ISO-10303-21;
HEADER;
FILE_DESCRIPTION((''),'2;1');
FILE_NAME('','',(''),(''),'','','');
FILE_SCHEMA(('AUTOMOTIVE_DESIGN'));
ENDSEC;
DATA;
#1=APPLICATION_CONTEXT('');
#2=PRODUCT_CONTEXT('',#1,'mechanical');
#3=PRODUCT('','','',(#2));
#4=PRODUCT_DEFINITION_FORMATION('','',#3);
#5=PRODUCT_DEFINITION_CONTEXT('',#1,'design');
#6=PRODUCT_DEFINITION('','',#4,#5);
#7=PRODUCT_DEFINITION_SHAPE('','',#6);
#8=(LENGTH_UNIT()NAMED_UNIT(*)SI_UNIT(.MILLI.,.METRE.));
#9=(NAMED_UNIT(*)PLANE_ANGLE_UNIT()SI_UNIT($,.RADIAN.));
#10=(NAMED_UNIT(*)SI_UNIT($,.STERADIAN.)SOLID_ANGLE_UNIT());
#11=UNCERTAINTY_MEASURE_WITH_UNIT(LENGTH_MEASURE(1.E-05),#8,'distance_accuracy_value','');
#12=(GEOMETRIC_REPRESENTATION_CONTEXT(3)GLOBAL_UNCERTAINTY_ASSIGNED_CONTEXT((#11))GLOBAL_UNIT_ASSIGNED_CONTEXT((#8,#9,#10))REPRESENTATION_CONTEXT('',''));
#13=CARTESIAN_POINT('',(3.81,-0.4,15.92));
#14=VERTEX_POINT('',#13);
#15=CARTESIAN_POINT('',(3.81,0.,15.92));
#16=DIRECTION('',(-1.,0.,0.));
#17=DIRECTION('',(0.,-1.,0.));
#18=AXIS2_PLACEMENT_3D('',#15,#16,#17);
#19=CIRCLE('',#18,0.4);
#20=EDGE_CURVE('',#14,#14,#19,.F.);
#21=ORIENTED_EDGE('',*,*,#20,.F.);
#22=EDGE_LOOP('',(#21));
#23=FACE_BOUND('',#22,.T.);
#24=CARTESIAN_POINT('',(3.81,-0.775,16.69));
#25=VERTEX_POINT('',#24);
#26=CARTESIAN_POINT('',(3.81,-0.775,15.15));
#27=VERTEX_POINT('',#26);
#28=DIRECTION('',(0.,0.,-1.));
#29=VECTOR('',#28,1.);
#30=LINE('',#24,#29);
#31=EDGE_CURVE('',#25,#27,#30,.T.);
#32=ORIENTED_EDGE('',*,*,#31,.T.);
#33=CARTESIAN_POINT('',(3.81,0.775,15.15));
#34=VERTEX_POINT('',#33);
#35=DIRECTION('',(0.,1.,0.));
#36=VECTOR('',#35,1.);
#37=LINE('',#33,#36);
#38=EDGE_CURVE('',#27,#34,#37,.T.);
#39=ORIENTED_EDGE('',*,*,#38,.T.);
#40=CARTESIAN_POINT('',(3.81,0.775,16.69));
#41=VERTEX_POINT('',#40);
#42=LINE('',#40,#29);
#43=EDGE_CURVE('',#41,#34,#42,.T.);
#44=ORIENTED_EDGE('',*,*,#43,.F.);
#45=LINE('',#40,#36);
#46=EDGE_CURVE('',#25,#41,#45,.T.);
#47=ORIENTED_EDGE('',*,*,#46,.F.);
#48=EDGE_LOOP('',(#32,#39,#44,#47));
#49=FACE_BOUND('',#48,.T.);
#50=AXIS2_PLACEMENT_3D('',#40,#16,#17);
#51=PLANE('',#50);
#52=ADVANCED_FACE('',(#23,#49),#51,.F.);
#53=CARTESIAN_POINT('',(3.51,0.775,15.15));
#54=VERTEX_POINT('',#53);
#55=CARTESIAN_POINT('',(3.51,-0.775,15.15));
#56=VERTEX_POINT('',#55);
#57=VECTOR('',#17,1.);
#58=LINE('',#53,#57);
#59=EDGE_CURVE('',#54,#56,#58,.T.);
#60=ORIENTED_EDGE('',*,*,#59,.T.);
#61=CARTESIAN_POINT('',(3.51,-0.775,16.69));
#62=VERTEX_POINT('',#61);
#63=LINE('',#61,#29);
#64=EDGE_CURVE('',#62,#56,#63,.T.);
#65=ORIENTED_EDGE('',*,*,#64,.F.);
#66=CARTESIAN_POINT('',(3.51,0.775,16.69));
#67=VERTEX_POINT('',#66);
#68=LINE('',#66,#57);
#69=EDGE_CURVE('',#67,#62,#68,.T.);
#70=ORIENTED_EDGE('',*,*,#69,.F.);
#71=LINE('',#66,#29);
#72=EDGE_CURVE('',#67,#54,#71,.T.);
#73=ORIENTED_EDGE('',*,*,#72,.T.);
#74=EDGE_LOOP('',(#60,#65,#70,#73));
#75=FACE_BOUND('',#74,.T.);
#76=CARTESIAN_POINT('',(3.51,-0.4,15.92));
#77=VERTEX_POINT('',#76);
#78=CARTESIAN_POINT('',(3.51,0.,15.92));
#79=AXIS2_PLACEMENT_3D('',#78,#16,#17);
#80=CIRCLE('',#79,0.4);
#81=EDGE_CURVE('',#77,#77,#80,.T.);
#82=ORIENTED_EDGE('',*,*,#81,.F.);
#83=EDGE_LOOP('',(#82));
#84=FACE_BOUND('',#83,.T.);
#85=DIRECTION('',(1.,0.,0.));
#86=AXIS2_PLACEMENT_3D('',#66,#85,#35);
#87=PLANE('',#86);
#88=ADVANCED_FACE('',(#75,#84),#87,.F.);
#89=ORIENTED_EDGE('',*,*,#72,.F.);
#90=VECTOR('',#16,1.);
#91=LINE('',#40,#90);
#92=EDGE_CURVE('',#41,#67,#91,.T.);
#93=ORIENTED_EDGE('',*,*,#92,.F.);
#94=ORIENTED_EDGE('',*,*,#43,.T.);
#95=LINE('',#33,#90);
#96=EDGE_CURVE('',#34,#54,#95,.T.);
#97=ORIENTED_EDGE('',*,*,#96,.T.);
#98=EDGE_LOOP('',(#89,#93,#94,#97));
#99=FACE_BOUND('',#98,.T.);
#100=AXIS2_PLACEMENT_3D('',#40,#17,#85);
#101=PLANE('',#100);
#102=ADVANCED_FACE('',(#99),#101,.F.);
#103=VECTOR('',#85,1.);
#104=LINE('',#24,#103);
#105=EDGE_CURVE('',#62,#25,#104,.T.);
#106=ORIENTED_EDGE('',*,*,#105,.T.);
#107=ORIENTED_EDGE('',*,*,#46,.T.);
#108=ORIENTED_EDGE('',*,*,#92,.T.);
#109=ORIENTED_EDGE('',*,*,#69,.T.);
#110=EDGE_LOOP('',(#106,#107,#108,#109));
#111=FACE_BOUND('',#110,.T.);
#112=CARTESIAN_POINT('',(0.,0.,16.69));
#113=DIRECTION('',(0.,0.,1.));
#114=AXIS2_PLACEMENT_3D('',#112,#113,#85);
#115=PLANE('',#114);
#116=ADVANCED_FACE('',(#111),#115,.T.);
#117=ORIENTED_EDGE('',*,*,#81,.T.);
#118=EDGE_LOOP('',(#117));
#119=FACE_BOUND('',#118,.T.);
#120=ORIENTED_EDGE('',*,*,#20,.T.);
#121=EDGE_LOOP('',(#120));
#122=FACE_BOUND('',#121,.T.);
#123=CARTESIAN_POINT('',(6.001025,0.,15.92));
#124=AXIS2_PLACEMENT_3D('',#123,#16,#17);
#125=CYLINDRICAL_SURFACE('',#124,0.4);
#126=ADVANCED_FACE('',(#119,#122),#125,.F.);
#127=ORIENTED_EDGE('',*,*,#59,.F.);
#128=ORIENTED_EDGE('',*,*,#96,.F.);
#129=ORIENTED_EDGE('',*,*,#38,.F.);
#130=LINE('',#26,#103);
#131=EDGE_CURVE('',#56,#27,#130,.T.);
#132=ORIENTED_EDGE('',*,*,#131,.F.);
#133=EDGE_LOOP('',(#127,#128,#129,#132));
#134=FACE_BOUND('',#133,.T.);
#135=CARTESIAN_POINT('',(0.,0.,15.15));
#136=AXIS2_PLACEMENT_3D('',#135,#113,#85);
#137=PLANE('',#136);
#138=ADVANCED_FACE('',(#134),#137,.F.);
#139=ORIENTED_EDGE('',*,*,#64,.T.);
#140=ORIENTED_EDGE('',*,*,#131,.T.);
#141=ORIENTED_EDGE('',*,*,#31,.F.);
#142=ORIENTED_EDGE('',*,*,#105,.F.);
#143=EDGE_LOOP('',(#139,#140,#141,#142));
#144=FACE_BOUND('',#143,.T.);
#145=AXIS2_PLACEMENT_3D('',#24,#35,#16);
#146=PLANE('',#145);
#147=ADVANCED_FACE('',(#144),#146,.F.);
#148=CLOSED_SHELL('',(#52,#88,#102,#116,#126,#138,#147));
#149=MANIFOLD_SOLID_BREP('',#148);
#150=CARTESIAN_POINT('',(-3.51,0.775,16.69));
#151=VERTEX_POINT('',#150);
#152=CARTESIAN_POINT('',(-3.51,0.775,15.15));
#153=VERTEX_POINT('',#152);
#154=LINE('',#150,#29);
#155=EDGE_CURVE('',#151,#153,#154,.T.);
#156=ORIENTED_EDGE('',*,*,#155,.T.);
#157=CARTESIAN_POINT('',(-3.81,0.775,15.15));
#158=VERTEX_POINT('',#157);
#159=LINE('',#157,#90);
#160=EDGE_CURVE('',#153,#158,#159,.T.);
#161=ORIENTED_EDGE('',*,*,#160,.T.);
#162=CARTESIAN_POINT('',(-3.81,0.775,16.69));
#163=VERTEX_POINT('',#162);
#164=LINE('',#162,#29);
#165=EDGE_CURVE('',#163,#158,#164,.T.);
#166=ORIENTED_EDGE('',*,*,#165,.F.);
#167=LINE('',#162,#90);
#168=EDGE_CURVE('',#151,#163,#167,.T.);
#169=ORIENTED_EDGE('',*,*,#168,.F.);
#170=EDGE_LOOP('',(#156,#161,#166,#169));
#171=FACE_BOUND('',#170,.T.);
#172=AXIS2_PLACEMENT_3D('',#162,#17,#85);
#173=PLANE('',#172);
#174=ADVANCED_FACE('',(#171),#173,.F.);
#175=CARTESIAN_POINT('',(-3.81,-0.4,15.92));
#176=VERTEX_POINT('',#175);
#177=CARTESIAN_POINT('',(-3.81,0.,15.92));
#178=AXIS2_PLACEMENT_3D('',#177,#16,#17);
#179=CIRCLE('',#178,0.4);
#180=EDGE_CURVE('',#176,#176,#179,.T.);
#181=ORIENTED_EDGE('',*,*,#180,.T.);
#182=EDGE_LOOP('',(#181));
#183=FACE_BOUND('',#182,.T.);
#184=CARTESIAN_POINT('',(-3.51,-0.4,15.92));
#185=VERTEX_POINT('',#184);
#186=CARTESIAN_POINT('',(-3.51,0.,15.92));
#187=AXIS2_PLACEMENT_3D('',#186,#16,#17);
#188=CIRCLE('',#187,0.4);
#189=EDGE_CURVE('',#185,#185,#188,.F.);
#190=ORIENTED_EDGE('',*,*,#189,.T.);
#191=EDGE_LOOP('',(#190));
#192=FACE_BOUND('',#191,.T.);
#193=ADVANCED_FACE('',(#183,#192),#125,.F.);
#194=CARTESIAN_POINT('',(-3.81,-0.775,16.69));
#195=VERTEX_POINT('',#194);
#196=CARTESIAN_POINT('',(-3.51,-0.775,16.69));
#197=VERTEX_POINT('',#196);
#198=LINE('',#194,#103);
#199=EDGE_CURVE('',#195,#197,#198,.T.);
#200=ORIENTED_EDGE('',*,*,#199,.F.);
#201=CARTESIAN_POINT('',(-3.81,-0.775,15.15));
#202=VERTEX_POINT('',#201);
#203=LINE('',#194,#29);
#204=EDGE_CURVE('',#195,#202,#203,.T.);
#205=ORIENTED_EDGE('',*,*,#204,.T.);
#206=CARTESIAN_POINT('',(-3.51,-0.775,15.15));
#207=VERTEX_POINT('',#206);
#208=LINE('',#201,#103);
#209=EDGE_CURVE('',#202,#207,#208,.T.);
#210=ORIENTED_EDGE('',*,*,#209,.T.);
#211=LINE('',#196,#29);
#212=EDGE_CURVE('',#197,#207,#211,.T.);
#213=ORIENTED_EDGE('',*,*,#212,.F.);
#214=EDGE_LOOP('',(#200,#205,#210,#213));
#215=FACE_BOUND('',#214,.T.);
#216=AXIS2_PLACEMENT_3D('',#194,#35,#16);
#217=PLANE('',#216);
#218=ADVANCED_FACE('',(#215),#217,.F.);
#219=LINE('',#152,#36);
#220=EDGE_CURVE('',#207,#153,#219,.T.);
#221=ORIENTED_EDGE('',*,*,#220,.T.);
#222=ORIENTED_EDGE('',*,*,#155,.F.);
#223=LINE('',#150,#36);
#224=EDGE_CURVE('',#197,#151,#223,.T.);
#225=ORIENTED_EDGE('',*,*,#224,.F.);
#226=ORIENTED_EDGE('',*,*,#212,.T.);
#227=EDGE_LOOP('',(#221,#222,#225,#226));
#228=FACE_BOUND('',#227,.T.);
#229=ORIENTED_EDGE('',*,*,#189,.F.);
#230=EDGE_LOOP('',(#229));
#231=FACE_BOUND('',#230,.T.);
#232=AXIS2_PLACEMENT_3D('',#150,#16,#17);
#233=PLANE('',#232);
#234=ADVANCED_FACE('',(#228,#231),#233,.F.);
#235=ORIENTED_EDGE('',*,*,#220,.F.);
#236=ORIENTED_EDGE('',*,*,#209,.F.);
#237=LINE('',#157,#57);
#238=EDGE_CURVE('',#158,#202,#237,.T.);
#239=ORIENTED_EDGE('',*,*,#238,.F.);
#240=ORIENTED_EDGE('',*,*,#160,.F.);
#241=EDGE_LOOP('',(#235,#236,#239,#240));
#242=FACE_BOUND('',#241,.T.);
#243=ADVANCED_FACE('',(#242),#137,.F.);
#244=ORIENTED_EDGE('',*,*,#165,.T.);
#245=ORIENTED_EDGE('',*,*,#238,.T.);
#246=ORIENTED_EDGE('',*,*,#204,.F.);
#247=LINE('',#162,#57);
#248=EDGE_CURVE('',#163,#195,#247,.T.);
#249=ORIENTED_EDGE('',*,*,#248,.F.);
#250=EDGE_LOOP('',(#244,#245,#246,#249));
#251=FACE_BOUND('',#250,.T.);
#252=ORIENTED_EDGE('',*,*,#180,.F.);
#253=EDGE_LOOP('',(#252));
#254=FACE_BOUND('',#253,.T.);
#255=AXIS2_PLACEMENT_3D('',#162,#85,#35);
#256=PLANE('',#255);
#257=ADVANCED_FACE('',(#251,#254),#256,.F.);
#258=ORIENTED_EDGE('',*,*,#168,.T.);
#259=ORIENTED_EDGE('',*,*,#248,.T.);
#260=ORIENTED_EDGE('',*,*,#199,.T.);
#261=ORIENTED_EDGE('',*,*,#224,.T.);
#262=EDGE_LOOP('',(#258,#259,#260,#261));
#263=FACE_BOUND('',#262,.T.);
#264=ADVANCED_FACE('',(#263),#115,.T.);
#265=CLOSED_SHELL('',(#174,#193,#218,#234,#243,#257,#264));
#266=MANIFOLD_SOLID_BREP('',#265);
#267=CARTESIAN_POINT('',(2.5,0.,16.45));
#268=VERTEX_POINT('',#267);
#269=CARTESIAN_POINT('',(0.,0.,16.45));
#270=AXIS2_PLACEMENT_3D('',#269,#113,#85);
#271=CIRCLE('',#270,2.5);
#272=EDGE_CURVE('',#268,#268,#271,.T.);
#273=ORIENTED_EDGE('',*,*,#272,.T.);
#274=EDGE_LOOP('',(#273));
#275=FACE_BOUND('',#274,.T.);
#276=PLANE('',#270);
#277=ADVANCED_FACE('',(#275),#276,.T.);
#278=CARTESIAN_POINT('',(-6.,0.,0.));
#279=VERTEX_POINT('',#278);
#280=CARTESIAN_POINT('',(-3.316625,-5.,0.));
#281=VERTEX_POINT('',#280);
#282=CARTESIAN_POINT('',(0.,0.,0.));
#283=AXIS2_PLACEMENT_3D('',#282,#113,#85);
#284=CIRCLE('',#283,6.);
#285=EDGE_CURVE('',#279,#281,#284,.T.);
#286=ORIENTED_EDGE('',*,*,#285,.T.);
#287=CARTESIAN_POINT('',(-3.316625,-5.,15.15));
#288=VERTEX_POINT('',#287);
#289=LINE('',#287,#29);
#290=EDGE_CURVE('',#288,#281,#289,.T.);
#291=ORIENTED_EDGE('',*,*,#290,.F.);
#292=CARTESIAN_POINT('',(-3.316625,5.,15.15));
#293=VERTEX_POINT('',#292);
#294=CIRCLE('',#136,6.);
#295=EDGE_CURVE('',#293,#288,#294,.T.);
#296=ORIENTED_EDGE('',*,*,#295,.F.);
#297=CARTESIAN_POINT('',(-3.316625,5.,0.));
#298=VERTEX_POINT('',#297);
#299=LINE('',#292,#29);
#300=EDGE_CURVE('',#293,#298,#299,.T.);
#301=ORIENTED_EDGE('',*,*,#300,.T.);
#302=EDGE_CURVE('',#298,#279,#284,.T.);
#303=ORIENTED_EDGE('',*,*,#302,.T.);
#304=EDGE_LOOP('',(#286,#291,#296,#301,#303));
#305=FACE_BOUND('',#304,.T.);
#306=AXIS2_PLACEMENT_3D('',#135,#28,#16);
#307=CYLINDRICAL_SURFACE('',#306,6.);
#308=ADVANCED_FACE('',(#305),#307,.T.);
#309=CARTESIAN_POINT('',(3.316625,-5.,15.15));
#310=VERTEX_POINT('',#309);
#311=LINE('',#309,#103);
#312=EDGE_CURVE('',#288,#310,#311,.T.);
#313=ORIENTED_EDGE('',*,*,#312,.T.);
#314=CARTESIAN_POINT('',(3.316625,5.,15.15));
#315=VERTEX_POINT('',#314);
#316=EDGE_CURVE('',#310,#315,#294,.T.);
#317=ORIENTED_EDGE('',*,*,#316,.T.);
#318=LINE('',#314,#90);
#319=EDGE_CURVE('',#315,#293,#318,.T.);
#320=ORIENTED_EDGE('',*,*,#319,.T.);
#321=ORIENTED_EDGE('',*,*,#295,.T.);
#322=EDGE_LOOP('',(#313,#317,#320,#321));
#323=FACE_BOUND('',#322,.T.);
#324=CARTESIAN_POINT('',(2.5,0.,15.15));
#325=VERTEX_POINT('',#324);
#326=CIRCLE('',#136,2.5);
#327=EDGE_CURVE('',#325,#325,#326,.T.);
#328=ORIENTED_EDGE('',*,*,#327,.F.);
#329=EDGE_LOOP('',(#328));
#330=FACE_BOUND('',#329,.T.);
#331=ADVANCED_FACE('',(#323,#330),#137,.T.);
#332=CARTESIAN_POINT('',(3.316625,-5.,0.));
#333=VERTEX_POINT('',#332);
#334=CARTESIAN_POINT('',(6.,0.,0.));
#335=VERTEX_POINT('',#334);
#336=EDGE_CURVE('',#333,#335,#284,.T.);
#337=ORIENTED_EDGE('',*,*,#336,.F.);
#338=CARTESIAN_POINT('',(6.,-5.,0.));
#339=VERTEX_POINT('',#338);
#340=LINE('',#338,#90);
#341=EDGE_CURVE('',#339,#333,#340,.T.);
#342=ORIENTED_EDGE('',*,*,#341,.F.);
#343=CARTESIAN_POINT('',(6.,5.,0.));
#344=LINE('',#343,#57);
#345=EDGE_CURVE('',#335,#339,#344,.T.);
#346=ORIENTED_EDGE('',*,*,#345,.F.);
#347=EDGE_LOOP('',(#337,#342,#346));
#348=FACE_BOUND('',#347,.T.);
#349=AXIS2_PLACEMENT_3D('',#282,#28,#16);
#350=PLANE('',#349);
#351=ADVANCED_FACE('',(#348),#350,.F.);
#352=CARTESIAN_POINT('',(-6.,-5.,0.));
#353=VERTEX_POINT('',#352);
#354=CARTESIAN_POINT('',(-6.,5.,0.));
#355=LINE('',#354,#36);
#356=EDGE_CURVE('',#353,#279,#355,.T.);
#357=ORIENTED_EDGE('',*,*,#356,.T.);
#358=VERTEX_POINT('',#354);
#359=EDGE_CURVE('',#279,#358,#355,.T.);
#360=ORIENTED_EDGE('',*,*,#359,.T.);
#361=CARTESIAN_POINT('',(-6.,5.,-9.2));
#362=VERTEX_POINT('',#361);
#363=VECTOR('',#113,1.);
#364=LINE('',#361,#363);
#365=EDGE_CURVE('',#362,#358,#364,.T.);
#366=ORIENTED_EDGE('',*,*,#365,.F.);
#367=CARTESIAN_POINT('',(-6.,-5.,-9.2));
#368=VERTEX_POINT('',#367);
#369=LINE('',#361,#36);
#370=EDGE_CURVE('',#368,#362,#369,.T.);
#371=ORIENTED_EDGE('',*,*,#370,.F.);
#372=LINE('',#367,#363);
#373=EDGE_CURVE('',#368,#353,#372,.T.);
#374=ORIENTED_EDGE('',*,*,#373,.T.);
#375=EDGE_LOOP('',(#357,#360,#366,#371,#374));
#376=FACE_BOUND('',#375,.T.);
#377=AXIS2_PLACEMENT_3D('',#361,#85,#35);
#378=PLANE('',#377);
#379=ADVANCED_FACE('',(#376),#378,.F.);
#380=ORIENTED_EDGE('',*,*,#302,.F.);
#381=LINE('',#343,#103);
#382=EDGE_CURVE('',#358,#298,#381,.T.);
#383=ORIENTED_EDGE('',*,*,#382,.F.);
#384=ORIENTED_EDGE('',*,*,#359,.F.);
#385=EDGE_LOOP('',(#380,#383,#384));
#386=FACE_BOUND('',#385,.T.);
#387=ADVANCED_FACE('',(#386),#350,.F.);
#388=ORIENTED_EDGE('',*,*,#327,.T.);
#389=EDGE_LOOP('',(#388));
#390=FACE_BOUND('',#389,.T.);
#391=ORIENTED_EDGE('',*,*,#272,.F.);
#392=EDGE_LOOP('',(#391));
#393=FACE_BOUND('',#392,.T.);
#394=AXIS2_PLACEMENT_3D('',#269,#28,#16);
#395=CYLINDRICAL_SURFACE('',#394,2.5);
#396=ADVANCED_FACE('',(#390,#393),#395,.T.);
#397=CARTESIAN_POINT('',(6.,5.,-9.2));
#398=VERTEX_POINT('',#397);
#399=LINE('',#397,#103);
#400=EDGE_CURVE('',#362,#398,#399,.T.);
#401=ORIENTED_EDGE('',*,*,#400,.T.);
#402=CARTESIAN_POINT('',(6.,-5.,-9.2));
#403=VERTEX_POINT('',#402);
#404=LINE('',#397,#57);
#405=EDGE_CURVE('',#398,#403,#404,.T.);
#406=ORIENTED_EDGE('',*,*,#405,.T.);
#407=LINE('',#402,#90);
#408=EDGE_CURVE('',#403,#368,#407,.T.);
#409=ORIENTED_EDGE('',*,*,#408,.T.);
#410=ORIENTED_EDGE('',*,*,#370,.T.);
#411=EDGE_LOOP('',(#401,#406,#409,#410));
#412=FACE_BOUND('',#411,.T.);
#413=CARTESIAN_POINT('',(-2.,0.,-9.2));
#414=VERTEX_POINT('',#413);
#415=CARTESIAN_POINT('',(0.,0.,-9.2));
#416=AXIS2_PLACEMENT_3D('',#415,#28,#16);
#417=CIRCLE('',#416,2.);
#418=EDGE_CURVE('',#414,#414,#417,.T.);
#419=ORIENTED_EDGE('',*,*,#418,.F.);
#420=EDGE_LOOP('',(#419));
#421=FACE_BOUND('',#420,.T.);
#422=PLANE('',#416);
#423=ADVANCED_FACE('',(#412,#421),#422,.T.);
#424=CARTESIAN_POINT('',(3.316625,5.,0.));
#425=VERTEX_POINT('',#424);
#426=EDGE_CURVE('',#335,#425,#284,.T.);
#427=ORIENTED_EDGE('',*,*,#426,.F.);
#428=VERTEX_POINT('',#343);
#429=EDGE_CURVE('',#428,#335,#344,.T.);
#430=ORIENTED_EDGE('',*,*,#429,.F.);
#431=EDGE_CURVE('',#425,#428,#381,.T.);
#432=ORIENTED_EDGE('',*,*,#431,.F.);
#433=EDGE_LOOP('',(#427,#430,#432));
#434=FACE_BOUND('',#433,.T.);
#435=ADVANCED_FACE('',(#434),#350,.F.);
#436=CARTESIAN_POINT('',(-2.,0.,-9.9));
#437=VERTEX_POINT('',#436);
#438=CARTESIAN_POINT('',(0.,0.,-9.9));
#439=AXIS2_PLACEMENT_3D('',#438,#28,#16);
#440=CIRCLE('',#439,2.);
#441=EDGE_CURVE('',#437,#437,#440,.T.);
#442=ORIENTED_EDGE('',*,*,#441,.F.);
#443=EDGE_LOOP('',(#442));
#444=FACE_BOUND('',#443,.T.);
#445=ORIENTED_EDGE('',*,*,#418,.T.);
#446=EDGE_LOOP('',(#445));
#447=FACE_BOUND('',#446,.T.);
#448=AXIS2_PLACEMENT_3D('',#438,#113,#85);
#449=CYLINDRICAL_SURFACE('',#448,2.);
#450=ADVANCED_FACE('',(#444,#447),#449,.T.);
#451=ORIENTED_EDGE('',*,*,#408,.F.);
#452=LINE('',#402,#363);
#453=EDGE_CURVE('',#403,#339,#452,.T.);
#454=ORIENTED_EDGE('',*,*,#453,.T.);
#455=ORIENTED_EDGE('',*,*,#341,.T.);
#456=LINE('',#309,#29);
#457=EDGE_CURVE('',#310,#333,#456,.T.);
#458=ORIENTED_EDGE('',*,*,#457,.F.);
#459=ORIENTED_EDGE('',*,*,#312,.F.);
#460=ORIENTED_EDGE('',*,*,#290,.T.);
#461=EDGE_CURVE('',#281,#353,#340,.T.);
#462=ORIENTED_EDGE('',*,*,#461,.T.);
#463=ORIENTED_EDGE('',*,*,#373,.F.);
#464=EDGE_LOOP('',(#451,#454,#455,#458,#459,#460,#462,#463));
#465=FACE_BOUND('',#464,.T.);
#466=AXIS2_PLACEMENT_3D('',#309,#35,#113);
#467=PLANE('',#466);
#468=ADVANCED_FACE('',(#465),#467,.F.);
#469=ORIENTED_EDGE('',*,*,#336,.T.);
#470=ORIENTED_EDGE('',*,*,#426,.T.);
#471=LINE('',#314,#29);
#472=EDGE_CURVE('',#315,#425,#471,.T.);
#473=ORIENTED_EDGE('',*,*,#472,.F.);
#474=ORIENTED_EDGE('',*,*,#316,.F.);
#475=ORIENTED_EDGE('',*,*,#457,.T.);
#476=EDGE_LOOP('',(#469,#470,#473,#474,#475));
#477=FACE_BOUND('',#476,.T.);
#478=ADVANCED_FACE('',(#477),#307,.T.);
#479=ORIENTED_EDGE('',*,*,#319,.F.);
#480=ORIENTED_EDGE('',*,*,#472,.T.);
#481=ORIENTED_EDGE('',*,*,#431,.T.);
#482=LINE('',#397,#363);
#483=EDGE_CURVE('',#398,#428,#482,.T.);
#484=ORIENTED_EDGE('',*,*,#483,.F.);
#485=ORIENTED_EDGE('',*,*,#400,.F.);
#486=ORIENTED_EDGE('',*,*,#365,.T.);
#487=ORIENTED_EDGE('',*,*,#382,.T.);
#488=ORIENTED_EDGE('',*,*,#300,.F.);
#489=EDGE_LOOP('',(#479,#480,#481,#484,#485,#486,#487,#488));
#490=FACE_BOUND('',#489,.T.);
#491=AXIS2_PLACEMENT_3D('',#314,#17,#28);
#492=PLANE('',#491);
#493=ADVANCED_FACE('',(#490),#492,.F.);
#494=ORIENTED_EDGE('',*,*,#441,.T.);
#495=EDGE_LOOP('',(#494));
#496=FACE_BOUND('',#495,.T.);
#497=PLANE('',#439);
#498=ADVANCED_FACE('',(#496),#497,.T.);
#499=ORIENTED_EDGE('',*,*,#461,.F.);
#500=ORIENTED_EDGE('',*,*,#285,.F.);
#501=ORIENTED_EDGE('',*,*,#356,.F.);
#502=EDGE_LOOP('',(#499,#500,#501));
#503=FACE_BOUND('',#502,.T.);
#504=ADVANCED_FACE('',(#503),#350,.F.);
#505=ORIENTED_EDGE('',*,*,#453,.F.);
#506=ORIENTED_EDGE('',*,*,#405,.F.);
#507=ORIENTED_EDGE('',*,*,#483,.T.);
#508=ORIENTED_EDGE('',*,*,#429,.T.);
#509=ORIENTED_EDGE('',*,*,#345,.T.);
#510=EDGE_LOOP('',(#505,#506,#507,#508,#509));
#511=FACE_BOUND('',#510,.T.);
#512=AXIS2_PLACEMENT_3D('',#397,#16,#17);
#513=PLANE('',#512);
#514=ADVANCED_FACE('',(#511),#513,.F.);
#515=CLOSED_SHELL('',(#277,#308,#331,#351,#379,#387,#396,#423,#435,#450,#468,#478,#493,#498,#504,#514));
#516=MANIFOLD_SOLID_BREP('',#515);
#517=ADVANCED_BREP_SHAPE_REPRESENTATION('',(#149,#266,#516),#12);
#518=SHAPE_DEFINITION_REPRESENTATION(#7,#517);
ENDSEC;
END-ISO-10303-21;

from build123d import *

# Parameters (mm, degrees)
BOSS_EXTRUDE1_DEPTH   = 15.15
SKETCH3_W             = 12
SKETCH3_H             = 10
BOSS_EXTRUDE2_DEPTH   = 9.2
SKETCH4_R             = 2.5
BOSS_EXTRUDE3_DEPTH   = 1.3
SKETCH5_W             = 0.3
SKETCH5_H             = 1.55
BOSS_EXTRUDE4_DEPTH   = 1.54
BOSS_EXTRUDE4_2_DEPTH = 1.54
SKETCH6_R             = 0.4
CUT_EXTRUDE1_DEPTH    = 0.3
SKETCH7_R             = 0.4
CUT_EXTRUDE2_DEPTH    = 0.3
SKETCH8_R             = 2
BOSS_EXTRUDE5_DEPTH   = 0.7


with BuildPart() as part:
    # Sketch1 → Boss-Extrude1 (new body)
    with BuildSketch(Plane.XY):
        with BuildLine():
            Line((3.31662479, 5), (-3.31662479, 5))
            ThreePointArc((-3.31662479, 5), (-6, 0), (-3.31662479, -5))
            Line((-3.31662479, -5), (3.31662479, -5))
            ThreePointArc((3.31662479, -5), (6, 0), (3.31662479, 5))
        make_face()
    extrude(amount=BOSS_EXTRUDE1_DEPTH)

    # Sketch3 → Boss-Extrude2 (add)
    with BuildSketch(Plane(origin=(0, 0, 0), x_dir=(-1, 0, 0), z_dir=(0, 0, -1))):
        Rectangle(SKETCH3_W, SKETCH3_H)
    extrude(amount=BOSS_EXTRUDE2_DEPTH)

    # Sketch4 → Boss-Extrude3 (add)
    with BuildSketch(Plane.XY.offset(15.15)):
        Circle(SKETCH4_R)
    extrude(amount=BOSS_EXTRUDE3_DEPTH)

    # Sketch8 → Boss-Extrude5 (add)
    with BuildSketch(Plane(origin=(0, 0, -9.2), x_dir=(-1, 0, 0), z_dir=(0, 0, -1))):
        Circle(SKETCH8_R)
    extrude(amount=BOSS_EXTRUDE5_DEPTH)


with BuildPart() as body_2:
    # Sketch5 → Boss-Extrude4 (new body)
    with BuildSketch(Plane.XY.offset(15.15)):
        with Locations((-3.66, 0)):
            Rectangle(SKETCH5_W, SKETCH5_H)
    extrude(amount=BOSS_EXTRUDE4_DEPTH)

    # Sketch6 → Cut-Extrude1 (cut)
    with BuildSketch(Plane.ZY.offset(3.81)):
        with Locations(Location((15.92, 0, 0), (0, 0, 270))):
            Circle(SKETCH6_R)
    extrude(amount=-CUT_EXTRUDE1_DEPTH, mode=Mode.SUBTRACT)


with BuildPart() as body_3:
    # Sketch5 → Boss-Extrude4 2 (new body)
    with BuildSketch(Plane.XY.offset(15.15)):
        with Locations((3.66, 0)):
            Rectangle(SKETCH5_W, SKETCH5_H)
    extrude(amount=BOSS_EXTRUDE4_2_DEPTH)

    # Sketch7 → Cut-Extrude2 (cut)
    with BuildSketch(Plane.ZY.offset(-3.51)):
        with Locations(Location((15.92, 0, 0), (0, 0, 270))):
            Circle(SKETCH7_R)
    extrude(amount=-CUT_EXTRUDE2_DEPTH, mode=Mode.SUBTRACT)


solid = Compound([part.part, body_2.part, body_3.part])
